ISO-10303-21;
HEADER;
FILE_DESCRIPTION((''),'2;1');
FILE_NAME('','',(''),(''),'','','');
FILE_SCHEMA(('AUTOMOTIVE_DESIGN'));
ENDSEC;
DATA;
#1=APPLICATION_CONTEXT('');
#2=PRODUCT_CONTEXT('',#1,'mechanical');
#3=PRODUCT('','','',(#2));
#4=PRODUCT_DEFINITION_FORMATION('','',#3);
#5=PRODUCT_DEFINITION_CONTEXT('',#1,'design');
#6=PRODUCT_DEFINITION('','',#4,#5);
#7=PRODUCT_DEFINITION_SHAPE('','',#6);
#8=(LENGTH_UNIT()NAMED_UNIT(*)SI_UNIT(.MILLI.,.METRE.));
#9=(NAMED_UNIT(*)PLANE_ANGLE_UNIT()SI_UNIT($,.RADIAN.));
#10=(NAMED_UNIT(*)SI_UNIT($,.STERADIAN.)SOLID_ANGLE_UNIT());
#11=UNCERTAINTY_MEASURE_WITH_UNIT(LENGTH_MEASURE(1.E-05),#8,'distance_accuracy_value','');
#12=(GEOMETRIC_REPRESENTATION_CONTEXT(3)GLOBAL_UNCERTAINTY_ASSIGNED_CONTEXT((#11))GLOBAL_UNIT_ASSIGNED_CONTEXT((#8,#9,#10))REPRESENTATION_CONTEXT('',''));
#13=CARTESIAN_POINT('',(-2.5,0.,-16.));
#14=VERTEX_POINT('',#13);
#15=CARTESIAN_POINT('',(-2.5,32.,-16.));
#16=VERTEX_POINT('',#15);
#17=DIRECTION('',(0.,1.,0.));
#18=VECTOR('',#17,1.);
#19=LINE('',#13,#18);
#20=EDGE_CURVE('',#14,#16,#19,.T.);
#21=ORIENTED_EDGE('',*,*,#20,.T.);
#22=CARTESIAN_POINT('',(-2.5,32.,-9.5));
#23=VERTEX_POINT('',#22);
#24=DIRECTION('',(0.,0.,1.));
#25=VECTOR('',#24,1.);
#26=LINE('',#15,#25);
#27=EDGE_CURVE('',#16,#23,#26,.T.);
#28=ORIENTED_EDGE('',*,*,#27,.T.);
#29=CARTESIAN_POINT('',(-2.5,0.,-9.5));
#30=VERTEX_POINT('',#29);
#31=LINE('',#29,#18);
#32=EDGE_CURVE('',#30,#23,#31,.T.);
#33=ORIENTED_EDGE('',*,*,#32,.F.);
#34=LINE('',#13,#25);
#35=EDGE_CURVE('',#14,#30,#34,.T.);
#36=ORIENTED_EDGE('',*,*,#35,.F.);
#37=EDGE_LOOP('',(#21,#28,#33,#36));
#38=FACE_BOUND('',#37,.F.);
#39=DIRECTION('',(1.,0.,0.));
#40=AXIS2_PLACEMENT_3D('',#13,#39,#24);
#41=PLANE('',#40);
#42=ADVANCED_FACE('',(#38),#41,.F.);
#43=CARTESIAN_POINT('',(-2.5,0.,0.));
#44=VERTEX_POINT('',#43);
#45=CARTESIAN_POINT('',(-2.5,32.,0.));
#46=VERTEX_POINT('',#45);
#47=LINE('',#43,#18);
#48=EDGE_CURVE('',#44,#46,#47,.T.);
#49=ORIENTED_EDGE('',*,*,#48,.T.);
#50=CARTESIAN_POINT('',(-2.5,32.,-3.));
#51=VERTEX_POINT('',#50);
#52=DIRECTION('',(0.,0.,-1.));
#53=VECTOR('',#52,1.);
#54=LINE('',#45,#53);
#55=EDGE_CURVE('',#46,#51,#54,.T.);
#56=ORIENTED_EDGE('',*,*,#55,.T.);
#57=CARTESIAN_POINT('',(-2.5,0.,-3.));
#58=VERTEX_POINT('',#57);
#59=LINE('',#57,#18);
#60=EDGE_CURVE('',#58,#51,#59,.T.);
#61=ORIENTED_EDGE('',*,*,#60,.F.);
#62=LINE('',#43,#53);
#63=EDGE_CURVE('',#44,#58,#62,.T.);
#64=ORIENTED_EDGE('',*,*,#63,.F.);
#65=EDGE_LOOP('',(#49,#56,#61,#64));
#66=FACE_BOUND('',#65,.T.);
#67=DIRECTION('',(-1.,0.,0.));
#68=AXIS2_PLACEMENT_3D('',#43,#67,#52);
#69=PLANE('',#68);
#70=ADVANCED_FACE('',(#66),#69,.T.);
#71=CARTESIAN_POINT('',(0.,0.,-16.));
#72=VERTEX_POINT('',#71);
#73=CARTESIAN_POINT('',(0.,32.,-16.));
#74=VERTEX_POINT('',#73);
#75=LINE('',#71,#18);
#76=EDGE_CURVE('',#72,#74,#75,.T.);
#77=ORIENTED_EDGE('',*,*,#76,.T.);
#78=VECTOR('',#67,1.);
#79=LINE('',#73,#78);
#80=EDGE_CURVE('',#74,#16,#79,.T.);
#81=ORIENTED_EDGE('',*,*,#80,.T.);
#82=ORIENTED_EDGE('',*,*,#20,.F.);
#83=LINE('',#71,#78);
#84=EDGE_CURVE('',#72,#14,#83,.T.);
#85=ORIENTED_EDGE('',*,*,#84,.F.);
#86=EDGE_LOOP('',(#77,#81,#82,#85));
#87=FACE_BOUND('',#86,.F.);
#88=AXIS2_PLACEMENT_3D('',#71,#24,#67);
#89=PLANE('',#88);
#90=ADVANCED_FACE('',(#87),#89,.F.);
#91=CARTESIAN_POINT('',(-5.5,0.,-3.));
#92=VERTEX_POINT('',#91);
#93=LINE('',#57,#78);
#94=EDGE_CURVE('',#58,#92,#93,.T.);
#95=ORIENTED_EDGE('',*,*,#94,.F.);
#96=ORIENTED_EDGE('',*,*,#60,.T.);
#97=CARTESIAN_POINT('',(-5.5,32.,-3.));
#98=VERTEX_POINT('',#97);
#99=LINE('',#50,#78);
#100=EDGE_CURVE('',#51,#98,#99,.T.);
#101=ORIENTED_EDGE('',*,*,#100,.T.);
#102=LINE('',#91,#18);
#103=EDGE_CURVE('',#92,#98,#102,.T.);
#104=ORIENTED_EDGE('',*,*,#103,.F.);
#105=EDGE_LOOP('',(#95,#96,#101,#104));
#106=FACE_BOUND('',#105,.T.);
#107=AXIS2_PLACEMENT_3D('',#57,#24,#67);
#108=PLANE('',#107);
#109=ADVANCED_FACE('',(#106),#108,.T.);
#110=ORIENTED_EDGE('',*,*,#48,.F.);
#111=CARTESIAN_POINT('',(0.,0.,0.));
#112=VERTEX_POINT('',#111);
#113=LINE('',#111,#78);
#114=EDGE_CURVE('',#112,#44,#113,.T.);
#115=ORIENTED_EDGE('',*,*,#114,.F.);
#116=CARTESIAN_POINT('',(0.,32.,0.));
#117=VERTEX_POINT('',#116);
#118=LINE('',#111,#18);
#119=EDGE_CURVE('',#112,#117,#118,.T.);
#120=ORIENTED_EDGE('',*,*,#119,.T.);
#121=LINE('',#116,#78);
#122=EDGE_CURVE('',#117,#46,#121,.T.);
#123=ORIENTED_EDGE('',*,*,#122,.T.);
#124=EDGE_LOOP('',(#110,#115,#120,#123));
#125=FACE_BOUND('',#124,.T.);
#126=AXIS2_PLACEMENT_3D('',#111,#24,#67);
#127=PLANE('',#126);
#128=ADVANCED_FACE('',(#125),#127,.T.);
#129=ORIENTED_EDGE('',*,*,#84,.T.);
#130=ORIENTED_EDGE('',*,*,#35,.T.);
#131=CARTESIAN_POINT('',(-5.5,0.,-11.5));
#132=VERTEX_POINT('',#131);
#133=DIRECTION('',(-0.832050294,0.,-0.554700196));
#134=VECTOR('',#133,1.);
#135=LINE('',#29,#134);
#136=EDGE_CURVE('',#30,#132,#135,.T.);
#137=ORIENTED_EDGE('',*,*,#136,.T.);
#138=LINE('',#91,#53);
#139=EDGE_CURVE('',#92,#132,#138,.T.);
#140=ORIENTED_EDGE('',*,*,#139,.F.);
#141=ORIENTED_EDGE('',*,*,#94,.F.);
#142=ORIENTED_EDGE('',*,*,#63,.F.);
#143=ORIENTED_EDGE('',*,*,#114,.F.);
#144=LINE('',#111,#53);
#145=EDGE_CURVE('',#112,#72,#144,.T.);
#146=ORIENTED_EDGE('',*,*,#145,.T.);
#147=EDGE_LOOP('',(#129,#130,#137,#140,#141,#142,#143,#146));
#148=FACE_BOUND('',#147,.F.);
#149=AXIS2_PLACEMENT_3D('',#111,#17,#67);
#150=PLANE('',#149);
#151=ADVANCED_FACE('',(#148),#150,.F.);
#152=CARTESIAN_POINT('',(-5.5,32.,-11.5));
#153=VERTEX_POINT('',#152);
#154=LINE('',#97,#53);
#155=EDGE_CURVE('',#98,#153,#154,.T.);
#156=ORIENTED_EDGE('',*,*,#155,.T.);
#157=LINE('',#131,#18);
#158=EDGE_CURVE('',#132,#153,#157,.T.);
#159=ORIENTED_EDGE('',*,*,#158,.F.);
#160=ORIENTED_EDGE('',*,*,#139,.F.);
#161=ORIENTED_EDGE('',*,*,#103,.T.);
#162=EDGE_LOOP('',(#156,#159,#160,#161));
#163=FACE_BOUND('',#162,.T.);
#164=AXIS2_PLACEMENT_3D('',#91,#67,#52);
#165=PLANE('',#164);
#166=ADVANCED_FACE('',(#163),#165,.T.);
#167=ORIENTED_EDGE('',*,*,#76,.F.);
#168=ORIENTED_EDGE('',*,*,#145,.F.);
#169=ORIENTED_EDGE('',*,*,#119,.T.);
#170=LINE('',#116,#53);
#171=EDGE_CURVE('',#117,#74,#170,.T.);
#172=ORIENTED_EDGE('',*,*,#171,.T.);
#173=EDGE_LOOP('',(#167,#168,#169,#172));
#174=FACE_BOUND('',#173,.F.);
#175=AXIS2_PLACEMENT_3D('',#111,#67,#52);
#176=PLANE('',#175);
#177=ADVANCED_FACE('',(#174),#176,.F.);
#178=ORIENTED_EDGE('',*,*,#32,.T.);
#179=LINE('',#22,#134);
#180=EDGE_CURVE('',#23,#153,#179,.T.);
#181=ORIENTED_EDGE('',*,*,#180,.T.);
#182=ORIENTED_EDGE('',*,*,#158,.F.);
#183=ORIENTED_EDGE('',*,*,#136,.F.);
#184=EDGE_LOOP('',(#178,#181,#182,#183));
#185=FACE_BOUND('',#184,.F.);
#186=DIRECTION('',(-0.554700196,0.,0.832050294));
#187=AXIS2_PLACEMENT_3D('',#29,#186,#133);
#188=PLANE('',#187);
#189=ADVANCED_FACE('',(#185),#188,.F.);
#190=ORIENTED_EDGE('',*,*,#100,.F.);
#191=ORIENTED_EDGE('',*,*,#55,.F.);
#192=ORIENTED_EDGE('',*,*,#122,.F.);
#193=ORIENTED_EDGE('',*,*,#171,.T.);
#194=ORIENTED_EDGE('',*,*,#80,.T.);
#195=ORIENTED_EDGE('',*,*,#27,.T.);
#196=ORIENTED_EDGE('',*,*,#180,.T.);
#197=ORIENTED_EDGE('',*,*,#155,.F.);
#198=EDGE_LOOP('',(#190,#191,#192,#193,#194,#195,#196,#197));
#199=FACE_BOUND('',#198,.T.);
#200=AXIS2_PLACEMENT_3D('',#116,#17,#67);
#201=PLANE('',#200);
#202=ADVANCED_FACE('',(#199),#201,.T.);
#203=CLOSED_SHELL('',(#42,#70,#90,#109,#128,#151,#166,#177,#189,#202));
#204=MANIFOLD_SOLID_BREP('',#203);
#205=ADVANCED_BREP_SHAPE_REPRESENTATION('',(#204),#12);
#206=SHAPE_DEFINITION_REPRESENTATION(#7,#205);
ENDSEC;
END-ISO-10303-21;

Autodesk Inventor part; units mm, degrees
ref_plane "YZ Plane" through (0, 0, 0) normal (1, 0, 0) x (0, 1, 0)
ref_plane "XZ Plane" through (0, 0, 0) normal (0, 1, 0) x (-1, 0, 0)
ref_plane "XY Plane" through (0, 0, 0) normal (0, 0, 1) x (1, 0, 0)
sketch "Sketch2" plane through (0, 0, 0) normal (0, 1, 0) x (-1, 0, 0)
  line L0 (0, 0) -> (2.5, 0)
  line L1 (0, 0) -> (0, -16)
  line L2 (0, -16) -> (2.5, -16)
  line L3 (2.5, 0) -> (2.5, -3)
  line L4 (2.5, -16) -> (2.5, -9.5)
  line L5 (2.5, -3) -> (5.5, -3)
  line L6 (5.5, -3) -> (5.5, -11.5)
  line L7 (2.5, -9.5) -> (5.5, -11.5)
  dimension "d1" = 2.5
  dimension "d2" = 16
  dimension "d3" = 3
  dimension "d4" = 6.5
  dimension "d5" = 3
  dimension "d6" = 8.5
extrude "Extrusion1" add sketch "Sketch2" along normal blind 32
properties part number "Inner Rail 1"
